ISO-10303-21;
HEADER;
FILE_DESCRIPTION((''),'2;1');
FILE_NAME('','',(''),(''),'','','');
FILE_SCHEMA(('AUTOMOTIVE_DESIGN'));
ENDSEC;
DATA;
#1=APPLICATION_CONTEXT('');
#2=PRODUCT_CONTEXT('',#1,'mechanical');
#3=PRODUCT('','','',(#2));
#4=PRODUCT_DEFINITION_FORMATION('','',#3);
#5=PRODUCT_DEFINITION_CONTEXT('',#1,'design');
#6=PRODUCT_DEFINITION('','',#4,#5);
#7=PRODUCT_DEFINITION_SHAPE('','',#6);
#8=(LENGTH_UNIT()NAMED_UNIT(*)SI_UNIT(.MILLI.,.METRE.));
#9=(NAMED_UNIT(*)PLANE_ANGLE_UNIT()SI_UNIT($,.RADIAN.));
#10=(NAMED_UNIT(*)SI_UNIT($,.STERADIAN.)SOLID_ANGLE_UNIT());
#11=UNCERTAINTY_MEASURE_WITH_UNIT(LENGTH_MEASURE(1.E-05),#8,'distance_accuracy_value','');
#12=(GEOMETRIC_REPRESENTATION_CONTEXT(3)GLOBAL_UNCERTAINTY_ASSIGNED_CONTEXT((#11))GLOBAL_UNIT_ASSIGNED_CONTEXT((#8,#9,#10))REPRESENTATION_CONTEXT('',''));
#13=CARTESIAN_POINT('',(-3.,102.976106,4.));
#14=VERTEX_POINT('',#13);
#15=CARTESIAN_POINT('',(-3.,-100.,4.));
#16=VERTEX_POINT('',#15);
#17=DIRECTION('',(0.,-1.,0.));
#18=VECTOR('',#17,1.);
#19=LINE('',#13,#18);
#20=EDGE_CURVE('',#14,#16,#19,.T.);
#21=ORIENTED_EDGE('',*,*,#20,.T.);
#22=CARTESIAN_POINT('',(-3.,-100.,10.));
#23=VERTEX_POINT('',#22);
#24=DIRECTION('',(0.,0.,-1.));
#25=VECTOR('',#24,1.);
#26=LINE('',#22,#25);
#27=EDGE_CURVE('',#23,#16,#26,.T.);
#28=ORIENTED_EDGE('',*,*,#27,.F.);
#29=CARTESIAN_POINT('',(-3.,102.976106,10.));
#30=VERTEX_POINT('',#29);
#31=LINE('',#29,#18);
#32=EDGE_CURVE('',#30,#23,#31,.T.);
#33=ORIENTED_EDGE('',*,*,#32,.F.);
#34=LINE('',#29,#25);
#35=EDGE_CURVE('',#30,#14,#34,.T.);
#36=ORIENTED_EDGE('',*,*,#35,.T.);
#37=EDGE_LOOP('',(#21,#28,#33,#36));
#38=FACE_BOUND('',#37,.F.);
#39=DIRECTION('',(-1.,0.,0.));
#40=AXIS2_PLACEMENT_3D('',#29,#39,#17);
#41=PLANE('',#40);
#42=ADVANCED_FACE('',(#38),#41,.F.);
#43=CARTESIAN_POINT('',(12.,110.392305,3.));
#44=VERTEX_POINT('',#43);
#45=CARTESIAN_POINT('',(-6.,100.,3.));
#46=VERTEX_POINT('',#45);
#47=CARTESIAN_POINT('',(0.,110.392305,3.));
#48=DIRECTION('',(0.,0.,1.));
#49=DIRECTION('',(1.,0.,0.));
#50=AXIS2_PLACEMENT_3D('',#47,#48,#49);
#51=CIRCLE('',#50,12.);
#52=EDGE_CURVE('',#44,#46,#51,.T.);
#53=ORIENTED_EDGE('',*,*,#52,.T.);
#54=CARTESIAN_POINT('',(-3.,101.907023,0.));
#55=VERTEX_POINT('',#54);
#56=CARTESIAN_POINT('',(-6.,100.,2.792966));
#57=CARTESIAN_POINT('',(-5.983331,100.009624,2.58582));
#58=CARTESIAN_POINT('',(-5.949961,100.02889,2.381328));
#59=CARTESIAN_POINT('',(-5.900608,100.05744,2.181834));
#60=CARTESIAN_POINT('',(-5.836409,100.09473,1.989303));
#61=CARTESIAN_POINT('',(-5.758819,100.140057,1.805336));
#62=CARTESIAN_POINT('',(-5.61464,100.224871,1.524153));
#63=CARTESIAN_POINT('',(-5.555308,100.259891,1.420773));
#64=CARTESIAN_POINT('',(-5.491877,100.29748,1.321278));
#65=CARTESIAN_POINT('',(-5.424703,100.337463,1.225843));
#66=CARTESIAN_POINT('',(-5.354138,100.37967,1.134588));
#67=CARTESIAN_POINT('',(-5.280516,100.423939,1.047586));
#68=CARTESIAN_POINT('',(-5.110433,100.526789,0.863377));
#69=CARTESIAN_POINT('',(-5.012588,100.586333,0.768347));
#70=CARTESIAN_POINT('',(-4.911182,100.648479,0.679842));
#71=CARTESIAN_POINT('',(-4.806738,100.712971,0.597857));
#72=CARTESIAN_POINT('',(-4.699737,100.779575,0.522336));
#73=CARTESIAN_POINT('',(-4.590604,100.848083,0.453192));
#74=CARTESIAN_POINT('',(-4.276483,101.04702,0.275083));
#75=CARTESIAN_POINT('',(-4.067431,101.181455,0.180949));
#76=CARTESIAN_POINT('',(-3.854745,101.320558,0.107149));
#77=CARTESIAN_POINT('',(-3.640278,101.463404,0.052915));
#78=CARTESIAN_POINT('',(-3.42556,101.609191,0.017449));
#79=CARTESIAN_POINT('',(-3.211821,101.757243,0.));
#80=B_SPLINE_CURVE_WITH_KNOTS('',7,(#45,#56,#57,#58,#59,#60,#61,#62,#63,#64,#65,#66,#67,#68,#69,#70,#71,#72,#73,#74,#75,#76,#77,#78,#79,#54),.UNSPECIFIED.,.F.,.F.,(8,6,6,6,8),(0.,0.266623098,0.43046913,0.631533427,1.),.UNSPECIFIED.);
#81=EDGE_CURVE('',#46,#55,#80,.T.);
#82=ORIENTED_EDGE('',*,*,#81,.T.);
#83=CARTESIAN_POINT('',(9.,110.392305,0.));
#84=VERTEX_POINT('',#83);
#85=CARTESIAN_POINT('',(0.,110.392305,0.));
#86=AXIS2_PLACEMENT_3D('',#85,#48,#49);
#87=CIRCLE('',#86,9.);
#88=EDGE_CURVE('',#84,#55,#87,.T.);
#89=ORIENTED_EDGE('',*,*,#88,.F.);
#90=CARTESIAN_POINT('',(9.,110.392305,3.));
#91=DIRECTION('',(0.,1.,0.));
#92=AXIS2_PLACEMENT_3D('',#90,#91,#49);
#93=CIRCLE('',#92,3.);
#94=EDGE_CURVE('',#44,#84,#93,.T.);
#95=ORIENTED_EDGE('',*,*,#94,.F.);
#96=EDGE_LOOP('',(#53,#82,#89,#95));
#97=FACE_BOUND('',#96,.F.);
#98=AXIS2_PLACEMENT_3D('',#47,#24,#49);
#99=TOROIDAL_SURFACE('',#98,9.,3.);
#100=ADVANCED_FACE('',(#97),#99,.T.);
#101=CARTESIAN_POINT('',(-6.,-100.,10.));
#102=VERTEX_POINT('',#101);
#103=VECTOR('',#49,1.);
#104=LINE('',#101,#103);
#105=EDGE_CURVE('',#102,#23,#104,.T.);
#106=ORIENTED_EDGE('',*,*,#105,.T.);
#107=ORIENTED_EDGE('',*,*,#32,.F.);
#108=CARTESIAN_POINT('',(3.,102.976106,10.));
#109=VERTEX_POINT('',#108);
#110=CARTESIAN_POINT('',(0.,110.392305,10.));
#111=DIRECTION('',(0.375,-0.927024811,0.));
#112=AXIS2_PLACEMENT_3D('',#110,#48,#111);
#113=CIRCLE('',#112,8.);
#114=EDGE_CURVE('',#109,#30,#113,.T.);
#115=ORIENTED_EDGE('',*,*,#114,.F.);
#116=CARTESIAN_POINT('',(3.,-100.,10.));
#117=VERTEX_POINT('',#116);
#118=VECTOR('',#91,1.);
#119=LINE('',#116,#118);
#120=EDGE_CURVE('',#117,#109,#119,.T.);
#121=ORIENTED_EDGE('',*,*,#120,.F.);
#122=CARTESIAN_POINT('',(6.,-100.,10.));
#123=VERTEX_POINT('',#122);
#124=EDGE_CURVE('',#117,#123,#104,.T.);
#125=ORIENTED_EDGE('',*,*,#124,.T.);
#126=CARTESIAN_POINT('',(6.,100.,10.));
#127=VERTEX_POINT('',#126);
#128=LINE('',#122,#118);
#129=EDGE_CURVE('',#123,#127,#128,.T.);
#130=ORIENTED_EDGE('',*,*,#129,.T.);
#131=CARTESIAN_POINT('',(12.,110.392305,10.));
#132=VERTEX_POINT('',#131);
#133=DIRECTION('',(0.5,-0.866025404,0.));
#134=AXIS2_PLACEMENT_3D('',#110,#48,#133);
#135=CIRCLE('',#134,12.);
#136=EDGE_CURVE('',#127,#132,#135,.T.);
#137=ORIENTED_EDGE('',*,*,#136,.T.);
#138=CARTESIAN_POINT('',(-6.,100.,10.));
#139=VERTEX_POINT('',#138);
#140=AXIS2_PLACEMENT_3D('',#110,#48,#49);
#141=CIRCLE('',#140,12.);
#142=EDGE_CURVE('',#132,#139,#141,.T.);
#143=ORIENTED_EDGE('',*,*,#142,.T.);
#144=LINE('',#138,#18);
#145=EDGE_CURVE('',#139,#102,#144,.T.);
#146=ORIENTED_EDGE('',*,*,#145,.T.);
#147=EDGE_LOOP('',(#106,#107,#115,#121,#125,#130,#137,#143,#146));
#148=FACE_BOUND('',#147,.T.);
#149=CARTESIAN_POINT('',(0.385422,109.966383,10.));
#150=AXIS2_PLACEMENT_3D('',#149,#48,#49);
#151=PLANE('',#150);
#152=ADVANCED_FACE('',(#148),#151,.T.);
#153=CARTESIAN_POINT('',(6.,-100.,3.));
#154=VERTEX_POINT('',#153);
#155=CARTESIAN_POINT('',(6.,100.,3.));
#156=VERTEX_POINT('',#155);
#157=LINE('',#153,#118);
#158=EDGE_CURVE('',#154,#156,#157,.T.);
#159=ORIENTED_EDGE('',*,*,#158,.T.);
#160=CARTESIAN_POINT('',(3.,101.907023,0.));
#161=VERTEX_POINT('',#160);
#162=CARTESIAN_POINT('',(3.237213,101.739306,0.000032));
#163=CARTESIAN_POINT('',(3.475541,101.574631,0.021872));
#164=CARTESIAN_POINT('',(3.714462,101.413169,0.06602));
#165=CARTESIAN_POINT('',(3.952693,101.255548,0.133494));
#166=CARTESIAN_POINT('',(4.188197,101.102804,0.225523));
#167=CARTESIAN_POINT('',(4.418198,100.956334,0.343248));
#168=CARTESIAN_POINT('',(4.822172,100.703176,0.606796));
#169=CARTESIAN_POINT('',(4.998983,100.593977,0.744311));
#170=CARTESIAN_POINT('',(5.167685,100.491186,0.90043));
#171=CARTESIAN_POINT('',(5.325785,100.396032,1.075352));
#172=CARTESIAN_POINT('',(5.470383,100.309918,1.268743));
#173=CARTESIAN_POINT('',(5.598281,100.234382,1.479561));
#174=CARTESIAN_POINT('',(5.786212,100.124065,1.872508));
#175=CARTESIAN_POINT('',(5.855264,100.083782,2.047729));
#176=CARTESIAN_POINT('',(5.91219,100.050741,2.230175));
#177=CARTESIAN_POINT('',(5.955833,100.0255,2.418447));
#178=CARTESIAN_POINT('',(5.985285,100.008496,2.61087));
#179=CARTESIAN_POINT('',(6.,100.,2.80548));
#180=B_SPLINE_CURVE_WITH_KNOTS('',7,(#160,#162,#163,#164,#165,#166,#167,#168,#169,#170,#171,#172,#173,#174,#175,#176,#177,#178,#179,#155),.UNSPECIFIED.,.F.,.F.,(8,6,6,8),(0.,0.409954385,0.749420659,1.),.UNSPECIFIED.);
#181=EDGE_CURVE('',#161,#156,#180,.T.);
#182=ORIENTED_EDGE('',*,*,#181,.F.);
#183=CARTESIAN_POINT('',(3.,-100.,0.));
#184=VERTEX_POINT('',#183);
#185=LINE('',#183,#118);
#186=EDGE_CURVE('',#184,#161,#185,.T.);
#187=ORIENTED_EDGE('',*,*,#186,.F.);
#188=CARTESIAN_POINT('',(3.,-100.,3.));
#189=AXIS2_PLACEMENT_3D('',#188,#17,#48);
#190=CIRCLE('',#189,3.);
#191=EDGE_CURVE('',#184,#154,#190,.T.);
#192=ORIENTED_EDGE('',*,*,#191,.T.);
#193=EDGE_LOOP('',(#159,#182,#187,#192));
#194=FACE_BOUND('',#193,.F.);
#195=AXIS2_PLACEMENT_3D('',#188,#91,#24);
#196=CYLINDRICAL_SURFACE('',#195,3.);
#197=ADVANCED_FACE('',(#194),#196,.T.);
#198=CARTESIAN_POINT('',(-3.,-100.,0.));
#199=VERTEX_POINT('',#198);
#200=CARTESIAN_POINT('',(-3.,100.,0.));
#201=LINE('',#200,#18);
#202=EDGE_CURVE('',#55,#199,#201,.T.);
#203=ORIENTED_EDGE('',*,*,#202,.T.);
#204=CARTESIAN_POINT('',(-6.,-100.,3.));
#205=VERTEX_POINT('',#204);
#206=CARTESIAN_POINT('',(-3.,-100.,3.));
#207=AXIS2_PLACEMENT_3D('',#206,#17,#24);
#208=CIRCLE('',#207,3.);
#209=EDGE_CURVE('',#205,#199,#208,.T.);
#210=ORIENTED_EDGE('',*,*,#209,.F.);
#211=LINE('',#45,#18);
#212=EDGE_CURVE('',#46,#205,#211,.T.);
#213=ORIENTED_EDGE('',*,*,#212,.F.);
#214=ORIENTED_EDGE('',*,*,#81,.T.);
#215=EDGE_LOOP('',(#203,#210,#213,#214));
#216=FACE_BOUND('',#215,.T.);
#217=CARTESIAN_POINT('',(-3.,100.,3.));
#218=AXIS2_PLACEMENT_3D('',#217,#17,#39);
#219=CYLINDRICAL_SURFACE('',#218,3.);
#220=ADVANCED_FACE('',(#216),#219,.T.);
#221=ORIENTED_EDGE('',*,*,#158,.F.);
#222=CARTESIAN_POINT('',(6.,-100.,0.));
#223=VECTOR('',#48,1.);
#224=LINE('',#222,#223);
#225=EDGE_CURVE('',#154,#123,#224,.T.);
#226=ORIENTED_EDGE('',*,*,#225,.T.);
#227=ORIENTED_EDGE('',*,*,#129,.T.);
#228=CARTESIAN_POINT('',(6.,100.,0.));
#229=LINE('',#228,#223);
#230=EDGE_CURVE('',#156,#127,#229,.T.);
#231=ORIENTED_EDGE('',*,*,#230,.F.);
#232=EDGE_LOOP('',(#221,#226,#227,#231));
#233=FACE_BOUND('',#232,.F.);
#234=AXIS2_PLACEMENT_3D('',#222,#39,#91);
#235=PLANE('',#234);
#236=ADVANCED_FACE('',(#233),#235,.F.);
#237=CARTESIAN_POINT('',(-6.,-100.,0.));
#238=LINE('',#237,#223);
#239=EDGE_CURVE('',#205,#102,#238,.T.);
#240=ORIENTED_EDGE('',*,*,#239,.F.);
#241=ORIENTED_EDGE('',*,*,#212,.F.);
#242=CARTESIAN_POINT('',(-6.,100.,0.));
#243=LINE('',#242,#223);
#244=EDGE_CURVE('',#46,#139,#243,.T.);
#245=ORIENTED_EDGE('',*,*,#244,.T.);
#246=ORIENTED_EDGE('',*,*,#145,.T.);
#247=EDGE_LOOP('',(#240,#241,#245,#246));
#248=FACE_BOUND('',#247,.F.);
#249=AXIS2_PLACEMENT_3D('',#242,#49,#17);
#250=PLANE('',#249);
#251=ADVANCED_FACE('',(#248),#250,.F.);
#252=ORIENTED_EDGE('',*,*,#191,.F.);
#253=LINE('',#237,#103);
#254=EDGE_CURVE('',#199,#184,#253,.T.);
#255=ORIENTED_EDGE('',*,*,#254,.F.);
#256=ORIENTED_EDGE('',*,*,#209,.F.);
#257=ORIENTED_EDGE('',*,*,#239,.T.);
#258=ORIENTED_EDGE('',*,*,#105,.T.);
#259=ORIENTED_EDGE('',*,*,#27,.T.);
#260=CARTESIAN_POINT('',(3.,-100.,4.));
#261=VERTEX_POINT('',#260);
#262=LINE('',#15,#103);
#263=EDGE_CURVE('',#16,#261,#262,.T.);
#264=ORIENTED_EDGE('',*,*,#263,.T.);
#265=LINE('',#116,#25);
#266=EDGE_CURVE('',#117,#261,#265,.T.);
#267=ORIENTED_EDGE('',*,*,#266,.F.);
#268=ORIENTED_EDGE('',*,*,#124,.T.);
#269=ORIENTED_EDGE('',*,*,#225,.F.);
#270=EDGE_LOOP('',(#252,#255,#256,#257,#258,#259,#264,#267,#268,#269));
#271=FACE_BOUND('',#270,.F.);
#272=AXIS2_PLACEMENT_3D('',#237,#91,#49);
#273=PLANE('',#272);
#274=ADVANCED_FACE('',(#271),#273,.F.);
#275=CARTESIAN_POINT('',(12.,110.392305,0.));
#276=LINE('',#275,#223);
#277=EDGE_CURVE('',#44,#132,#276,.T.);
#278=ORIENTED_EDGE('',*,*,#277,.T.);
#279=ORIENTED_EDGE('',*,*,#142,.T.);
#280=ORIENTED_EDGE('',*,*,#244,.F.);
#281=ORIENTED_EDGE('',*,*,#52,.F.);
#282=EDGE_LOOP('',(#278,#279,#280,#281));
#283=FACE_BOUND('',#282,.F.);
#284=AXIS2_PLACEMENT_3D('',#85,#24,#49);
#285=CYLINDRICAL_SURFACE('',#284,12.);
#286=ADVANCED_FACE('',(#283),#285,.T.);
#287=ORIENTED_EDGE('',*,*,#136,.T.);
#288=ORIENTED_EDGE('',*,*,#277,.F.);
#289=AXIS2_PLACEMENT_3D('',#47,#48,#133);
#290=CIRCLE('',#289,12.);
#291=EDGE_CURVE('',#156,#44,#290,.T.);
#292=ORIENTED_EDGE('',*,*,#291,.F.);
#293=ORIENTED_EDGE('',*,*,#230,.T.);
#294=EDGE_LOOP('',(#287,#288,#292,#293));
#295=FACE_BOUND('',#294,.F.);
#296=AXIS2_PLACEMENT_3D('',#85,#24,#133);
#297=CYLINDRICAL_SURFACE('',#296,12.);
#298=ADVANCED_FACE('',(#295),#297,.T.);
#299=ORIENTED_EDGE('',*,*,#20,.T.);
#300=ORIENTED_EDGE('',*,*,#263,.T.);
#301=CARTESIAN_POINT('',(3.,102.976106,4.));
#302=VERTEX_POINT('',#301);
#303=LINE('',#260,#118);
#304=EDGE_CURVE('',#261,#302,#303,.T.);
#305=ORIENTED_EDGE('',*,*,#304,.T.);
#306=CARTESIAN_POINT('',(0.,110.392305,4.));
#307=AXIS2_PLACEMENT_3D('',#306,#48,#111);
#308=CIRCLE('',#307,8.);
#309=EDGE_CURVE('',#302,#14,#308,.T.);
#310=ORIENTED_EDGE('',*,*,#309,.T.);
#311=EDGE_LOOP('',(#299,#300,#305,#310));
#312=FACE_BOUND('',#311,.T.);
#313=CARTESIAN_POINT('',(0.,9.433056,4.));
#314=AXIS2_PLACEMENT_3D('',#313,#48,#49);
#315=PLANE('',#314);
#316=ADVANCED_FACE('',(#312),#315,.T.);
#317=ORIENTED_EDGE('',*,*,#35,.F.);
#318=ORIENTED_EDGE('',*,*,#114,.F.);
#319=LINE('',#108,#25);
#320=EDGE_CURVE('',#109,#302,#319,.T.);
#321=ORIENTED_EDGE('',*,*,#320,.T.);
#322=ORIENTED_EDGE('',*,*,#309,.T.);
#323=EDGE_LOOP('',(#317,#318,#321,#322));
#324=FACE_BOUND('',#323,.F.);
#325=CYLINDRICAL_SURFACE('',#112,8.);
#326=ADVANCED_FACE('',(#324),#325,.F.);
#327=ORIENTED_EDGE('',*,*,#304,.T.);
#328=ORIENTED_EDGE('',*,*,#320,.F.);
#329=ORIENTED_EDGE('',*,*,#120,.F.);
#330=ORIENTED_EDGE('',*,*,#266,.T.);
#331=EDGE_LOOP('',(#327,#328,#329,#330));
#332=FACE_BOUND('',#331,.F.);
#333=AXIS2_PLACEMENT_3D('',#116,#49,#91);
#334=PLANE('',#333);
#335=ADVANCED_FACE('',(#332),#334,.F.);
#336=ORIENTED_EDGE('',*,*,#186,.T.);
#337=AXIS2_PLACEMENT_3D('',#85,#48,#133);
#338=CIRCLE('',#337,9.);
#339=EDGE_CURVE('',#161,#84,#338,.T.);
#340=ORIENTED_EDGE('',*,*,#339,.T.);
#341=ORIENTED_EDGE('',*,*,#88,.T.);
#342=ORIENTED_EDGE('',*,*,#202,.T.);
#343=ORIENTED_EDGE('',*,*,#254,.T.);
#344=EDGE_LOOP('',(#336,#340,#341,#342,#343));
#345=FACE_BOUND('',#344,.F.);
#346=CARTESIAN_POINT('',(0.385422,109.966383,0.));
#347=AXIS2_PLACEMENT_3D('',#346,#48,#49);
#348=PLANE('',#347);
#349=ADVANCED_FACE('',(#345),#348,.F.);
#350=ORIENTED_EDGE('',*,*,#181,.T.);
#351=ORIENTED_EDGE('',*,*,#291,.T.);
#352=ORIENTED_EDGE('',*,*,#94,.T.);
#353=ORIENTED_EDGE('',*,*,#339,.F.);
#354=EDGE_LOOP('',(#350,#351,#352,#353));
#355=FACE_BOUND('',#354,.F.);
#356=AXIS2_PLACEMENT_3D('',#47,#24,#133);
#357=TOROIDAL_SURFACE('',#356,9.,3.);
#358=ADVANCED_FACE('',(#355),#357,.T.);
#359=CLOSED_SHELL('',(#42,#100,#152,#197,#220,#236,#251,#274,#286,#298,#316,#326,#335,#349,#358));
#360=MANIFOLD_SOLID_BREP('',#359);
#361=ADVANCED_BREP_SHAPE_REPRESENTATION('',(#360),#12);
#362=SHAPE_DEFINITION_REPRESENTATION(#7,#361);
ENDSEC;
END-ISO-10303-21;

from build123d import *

# Parameters (mm, degrees)
F1_DEPTH = 10
F3_DEPTH = 6
F4_R     = 3


with BuildPart() as f1:
    # F0 (on Top) → F1 (new body)
    with BuildSketch(Plane.XY):
        with BuildLine():
            ThreePointArc((12, 110.3923048454), (-6, 120.7846096908), (-6, 100))
            Line((-6, 100), (6, 100))
            ThreePointArc((6, 100), (10.3923048454, 104.3923048454), (12, 110.3923048454))
        make_face()
        with BuildLine():
            ThreePointArc((6, 100), (0, 98.3923048454), (-6, 100))
            Line((-6, 100), (-6, -100))
            Line((-6, -100), (6, -100))
            Line((6, -100), (6, 100))
        make_face()
        with BuildLine():
            Line((6, 100), (-6, 100))
            ThreePointArc((-6, 100), (0, 98.3923048454), (6, 100))
        make_face()
    extrude(amount=F1_DEPTH)

    # F2 (on face) → F3 (cut)
    with BuildSketch(Plane.XY.offset(10)):
        with BuildLine():
            Line((3, -100), (3, 102.9761063583))
            ThreePointArc((3, 102.9761063583), (0, 118.3923048454), (-3, 102.9761063583))
            Line((-3, 102.9761063583), (-3, -100))
            Line((-3, -100), (3, -100))
        make_face()
    extrude(amount=-F3_DEPTH, mode=Mode.SUBTRACT)

    # F4
    f4_edges = [f1.edges().sort_by_distance(p)[0] for p in [
        (6, 0, 0),
        (0, 122.392305, 0),
        (-6, 0, 0),
    ]]
    fillet(f4_edges, radius=F4_R)


solid = f1.part
